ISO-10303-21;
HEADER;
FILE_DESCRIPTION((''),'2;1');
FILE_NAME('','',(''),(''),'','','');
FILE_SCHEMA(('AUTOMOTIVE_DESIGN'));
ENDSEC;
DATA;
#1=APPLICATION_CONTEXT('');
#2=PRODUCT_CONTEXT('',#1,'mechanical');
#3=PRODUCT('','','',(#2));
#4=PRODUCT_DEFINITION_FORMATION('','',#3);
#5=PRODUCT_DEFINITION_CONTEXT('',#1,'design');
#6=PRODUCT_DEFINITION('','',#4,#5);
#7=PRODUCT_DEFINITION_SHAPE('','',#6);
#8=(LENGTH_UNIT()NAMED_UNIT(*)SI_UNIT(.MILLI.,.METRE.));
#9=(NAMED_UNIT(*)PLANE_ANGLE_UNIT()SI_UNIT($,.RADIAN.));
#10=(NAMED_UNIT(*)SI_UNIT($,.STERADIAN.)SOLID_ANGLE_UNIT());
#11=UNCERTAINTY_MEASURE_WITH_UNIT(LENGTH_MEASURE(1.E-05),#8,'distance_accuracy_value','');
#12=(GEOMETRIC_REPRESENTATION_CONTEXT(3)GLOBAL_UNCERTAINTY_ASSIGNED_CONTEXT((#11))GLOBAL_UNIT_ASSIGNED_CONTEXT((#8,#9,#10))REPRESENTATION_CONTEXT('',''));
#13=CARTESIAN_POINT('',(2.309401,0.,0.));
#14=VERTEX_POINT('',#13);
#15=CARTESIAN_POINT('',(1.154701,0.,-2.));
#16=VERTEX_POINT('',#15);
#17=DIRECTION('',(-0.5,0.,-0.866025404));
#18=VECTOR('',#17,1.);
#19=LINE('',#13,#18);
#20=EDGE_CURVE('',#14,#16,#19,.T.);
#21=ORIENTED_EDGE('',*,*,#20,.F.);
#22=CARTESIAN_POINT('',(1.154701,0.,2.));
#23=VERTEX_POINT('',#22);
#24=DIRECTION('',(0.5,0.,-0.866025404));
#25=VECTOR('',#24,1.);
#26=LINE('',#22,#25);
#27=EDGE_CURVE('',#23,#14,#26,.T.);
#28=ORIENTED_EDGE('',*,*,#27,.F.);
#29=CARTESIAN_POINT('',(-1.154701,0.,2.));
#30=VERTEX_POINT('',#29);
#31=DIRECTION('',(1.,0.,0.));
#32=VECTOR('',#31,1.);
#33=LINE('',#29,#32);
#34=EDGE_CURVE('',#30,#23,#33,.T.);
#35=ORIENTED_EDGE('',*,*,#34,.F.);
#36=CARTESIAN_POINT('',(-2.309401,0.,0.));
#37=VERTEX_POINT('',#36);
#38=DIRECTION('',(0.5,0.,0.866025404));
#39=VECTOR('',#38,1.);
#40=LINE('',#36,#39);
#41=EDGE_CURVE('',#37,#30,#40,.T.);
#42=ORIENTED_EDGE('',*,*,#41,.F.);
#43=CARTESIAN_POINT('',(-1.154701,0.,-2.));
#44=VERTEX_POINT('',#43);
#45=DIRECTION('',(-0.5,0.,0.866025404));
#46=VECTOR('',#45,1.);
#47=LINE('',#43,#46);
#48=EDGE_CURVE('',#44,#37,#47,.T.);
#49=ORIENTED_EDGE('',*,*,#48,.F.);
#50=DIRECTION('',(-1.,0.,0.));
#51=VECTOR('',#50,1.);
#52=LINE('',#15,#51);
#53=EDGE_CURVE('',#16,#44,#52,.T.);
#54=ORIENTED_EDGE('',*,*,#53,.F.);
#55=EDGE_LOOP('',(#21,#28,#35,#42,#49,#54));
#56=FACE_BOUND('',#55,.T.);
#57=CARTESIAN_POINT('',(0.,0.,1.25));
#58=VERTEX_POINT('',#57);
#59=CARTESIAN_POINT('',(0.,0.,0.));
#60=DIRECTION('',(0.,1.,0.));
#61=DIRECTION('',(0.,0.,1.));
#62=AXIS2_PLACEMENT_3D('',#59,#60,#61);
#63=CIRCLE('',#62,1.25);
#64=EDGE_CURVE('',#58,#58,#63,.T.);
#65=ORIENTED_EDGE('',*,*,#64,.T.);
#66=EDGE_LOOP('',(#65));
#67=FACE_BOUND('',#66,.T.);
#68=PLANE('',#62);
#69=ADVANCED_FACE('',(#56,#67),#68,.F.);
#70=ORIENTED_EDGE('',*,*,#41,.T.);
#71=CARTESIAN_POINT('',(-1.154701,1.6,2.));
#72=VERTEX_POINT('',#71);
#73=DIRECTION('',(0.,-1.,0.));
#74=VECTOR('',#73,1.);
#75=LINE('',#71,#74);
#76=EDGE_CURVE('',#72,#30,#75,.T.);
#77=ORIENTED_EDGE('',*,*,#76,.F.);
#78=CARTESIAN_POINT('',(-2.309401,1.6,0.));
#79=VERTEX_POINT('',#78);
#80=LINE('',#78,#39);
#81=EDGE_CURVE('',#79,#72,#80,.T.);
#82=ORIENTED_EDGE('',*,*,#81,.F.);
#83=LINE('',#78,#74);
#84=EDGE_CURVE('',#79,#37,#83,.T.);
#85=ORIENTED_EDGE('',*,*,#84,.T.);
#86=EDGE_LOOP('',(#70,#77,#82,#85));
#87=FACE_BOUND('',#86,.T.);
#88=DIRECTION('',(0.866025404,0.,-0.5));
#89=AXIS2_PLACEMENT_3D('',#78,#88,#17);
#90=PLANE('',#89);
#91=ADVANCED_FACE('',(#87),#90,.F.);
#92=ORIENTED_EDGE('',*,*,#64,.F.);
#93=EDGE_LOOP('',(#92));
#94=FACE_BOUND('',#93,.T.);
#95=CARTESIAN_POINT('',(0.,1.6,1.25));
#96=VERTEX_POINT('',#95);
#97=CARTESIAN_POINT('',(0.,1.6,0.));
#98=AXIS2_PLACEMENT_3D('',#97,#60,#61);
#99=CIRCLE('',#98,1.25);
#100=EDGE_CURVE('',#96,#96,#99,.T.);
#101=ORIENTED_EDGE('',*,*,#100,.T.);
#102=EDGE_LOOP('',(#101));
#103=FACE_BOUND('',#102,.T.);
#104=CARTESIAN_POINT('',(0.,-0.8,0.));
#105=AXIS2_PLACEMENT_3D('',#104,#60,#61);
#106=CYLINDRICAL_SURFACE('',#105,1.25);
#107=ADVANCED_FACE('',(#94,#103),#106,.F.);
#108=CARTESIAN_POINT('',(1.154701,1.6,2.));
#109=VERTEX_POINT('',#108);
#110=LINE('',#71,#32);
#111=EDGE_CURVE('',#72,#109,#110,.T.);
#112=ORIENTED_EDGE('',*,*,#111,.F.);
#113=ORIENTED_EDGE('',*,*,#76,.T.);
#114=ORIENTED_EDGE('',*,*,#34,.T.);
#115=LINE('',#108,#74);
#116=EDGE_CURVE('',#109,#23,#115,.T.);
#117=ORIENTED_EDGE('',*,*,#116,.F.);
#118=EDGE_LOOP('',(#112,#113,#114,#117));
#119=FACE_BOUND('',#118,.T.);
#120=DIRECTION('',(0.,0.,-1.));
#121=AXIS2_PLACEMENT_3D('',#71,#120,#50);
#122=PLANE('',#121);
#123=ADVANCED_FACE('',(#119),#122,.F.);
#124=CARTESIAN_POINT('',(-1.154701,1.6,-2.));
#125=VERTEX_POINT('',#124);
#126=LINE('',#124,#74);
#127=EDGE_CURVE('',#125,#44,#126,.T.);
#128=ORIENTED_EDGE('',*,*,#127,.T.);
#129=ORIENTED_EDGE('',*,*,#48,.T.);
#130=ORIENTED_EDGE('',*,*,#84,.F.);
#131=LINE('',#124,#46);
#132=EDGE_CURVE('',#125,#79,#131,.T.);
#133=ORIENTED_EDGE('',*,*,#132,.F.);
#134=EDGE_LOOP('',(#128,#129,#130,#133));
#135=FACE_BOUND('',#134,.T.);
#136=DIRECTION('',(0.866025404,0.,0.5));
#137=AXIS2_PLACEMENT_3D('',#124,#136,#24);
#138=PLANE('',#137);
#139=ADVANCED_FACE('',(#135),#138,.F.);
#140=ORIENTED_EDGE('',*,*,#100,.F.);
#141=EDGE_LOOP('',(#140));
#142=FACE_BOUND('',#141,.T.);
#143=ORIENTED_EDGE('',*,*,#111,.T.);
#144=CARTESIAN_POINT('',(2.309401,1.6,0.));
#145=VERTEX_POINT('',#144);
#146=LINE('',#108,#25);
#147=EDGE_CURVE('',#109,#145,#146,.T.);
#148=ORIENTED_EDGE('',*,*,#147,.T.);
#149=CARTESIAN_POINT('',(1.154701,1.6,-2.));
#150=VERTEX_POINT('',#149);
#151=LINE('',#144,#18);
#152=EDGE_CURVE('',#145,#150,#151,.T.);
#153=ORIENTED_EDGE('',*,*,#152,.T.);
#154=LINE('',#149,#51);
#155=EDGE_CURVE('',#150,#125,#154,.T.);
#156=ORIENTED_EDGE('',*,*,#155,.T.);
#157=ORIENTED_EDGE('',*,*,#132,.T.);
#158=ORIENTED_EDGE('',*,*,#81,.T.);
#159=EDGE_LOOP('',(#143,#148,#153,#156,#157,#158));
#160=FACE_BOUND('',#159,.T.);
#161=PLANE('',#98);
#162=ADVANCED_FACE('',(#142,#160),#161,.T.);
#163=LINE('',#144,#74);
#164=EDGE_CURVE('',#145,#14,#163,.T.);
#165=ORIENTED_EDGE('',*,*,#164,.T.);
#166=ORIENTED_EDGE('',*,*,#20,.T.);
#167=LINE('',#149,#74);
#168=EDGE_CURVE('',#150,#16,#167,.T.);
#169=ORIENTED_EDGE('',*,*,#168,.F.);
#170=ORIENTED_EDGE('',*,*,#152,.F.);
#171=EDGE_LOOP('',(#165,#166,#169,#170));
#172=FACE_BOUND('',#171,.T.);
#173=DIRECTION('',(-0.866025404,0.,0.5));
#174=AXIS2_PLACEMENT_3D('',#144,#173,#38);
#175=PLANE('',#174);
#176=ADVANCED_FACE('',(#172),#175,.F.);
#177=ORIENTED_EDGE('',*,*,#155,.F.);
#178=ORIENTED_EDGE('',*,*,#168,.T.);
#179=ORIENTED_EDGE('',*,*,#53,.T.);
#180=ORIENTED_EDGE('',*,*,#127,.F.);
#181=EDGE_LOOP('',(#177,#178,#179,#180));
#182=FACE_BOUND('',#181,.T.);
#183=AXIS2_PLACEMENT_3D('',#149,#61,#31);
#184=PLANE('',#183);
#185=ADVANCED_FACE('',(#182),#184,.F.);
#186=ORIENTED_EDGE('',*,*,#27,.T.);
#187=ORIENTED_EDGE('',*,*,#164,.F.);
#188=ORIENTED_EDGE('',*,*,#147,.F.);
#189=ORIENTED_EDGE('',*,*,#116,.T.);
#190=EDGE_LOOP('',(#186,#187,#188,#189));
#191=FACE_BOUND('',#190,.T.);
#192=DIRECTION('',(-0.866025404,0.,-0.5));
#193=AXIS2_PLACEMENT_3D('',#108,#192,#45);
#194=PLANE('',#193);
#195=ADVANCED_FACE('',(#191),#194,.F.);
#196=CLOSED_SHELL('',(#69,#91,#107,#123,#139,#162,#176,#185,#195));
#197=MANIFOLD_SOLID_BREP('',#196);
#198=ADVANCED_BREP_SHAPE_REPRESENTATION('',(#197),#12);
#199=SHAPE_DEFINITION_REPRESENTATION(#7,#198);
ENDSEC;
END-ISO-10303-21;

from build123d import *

# Parameters (mm, degrees)
EXTRUDE_1_DEPTH     = 1.6
SKETCH_2_R          = 1.25
CUT_EXTRUDE_1_DEPTH = 2.4


with BuildPart() as part:
    # Эскиз1 → Бобышка-Вытянуть1 (new body)
    with BuildSketch(Plane(origin=(0, 0, 0), x_dir=(1, 0, 0), z_dir=(0, 1, 0))):
        Polygon((-2.309401077, 0), (-1.154700538, -2), (1.154700538, -2), (2.309401077, 0), (1.154700538, 2), (-1.154700538, 2), align=None)
    extrude(amount=EXTRUDE_1_DEPTH)

    # Эскиз2 → Вырез-Вытянуть1 (cut)
    with BuildSketch(Plane(origin=(0, 1.6, 0), x_dir=(1, 0, 0), z_dir=(0, 1, 0))):
        with Locations(Location((0, 0, 0), (0, 0, 270))):
            Circle(SKETCH_2_R)
    extrude(amount=-CUT_EXTRUDE_1_DEPTH, mode=Mode.SUBTRACT)


solid = part.part
